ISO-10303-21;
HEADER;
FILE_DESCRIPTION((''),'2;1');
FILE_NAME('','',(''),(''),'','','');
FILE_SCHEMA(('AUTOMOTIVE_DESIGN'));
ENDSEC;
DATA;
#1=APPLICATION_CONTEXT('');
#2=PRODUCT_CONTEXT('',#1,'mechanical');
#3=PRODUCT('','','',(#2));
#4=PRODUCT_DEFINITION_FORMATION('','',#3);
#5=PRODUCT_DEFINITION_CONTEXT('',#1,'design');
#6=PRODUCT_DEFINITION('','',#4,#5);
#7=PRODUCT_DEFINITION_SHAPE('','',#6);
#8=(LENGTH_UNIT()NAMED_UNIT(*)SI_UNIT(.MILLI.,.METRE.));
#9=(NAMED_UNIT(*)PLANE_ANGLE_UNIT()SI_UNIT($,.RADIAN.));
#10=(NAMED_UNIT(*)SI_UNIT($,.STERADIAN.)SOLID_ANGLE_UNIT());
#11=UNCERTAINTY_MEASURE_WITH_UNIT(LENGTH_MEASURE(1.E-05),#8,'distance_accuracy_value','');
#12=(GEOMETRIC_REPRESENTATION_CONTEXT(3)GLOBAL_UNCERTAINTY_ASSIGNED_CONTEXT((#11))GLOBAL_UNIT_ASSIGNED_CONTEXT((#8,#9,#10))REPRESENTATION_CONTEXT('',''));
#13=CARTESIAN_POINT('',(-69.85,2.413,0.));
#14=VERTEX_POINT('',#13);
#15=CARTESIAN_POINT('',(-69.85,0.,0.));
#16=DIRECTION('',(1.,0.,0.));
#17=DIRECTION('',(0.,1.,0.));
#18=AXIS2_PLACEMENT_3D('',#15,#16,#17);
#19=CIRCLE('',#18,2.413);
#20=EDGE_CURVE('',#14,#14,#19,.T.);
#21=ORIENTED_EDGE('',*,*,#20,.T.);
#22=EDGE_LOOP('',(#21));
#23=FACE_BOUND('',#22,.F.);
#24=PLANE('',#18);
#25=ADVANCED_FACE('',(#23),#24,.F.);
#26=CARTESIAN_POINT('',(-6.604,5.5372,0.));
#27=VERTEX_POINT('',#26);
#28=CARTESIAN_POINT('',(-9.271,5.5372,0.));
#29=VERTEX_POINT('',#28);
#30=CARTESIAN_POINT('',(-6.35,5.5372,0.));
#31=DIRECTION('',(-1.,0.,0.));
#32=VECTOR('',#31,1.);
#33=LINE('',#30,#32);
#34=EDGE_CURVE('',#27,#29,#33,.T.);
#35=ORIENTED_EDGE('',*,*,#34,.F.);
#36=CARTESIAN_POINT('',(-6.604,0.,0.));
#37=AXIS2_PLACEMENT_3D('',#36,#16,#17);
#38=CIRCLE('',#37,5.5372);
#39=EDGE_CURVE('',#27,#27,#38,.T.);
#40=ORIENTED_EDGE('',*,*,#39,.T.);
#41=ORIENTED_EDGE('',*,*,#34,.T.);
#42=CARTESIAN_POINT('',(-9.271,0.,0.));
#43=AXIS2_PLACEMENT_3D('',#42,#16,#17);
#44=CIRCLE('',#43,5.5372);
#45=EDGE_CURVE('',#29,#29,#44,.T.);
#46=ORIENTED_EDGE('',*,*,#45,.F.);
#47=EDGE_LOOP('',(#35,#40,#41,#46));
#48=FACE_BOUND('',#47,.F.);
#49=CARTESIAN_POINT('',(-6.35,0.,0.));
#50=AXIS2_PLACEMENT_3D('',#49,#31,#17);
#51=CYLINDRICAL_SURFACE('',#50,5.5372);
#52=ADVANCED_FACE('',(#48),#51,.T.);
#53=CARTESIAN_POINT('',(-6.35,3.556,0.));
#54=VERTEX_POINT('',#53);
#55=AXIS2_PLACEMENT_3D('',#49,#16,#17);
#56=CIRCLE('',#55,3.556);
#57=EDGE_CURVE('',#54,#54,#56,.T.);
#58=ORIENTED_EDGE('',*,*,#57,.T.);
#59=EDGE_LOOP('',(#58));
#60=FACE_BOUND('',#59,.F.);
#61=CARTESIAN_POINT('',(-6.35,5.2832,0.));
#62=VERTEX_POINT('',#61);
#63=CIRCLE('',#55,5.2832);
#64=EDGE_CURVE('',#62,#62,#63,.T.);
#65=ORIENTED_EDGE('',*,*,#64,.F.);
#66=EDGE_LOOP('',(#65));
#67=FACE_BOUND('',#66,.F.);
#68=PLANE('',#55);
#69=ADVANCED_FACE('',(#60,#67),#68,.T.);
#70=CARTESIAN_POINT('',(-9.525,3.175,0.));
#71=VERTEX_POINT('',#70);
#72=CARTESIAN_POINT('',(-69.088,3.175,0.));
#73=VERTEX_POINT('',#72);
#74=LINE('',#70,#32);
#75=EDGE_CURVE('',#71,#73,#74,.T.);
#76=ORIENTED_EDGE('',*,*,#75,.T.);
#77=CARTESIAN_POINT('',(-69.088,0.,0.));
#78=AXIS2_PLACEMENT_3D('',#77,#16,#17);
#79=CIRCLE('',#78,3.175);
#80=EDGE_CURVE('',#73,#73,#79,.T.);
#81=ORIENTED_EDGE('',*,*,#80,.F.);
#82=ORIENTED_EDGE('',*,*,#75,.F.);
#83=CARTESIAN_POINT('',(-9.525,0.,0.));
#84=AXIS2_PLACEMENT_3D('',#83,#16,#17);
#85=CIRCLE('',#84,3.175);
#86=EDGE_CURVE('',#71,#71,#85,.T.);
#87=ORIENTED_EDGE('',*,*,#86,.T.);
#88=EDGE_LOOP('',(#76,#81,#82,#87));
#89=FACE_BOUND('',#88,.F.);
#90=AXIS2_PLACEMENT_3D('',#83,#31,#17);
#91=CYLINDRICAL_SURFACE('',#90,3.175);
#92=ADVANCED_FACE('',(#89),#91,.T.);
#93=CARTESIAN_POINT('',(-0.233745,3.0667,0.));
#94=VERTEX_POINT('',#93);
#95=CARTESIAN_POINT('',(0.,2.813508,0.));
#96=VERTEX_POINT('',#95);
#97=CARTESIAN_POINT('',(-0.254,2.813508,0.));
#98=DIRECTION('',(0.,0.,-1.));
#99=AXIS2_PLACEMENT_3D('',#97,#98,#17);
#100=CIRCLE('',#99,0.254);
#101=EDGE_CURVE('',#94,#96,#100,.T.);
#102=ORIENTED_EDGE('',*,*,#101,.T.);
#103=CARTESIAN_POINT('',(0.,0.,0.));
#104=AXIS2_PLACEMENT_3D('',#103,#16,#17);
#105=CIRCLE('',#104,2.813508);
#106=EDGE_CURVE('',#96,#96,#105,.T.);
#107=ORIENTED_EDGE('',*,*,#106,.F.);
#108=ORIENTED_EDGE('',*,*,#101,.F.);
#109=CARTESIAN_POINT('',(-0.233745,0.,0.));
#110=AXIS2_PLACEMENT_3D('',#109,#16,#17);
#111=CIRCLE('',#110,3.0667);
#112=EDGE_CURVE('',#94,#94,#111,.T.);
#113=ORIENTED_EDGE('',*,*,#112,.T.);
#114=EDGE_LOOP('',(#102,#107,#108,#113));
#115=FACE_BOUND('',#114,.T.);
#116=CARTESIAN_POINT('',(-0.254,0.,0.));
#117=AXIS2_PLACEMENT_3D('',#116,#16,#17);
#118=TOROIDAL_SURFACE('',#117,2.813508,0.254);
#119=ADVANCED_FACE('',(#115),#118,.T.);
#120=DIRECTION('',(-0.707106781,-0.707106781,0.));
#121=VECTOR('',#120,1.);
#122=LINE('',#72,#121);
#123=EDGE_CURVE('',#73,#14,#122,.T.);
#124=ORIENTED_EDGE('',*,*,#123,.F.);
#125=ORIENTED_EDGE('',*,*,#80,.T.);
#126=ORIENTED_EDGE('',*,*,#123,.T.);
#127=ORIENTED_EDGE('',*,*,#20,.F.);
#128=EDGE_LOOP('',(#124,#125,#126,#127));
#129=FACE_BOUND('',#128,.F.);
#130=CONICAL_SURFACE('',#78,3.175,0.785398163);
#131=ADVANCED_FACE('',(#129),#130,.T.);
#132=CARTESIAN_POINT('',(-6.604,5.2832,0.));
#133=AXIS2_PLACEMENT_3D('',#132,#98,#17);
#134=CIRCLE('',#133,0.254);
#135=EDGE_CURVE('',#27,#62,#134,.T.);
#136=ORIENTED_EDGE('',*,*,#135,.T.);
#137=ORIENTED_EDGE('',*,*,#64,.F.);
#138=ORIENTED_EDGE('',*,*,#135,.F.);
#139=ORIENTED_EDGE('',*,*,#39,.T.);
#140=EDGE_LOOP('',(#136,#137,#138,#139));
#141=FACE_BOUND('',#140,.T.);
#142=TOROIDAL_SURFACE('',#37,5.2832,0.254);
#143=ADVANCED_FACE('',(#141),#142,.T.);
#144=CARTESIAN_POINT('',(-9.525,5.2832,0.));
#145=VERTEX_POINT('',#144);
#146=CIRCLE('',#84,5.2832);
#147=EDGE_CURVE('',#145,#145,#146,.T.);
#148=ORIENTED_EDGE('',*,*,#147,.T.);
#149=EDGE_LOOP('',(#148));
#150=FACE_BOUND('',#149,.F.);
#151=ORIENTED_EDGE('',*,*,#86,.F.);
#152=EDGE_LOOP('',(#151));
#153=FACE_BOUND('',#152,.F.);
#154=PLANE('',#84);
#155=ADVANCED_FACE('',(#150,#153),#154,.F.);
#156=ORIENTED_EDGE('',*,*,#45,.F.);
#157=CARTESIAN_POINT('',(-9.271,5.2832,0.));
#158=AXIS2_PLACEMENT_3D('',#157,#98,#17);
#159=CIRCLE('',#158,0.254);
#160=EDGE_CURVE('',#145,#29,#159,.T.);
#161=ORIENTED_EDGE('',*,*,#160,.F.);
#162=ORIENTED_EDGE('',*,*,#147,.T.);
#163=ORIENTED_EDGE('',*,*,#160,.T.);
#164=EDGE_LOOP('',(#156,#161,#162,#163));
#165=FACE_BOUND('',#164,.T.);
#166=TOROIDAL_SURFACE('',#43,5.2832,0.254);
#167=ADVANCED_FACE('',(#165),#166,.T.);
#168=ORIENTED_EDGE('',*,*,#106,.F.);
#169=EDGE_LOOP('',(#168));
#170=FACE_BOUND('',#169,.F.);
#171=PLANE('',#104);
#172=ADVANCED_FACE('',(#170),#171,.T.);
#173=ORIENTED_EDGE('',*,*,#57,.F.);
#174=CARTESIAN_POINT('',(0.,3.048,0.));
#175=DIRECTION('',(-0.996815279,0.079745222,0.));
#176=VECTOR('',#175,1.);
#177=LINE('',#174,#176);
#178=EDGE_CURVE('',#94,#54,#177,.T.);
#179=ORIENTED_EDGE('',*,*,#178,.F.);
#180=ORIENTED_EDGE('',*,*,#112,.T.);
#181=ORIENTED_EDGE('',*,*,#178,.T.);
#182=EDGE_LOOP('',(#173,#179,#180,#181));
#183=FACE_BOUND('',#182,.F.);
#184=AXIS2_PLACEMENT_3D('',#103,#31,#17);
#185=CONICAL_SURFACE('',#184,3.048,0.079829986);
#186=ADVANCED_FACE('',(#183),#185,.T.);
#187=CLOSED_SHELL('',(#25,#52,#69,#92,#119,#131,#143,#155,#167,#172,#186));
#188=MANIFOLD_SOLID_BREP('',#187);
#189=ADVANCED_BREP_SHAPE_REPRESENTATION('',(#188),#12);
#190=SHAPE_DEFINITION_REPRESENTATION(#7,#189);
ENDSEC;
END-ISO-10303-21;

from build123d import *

# Parameters (mm, degrees)
F2_SIZE = 0.762
F3_R    = 0.254


with BuildPart() as f1:
    # F0 (on Top) → F1 (revolve)
    with BuildSketch(Plane.XY):
        Polygon((-69.85, 0), (0, 0), (0, 3.048), (-6.35, 3.556), (-6.35, 5.5372), (-9.525, 5.5372), (-9.525, 3.175), (-69.85, 3.175), align=None)
    revolve(axis=Axis((-34.925, 0, 0), (1, 0, 0)))

    # F2
    f2_edges = [f1.edges().sort_by_distance(p)[0] for p in [
        (-69.85, -3.175, 0),
    ]]
    chamfer(f2_edges, length=F2_SIZE)

    # F3
    f3_edges = [f1.edges().sort_by_distance(p)[0] for p in [
        (-9.525, -5.5372, 0),
        (-6.35, -5.5372, 0),
        (0, -3.048, 0),
    ]]
    fillet(f3_edges, radius=F3_R)


solid = f1.part
